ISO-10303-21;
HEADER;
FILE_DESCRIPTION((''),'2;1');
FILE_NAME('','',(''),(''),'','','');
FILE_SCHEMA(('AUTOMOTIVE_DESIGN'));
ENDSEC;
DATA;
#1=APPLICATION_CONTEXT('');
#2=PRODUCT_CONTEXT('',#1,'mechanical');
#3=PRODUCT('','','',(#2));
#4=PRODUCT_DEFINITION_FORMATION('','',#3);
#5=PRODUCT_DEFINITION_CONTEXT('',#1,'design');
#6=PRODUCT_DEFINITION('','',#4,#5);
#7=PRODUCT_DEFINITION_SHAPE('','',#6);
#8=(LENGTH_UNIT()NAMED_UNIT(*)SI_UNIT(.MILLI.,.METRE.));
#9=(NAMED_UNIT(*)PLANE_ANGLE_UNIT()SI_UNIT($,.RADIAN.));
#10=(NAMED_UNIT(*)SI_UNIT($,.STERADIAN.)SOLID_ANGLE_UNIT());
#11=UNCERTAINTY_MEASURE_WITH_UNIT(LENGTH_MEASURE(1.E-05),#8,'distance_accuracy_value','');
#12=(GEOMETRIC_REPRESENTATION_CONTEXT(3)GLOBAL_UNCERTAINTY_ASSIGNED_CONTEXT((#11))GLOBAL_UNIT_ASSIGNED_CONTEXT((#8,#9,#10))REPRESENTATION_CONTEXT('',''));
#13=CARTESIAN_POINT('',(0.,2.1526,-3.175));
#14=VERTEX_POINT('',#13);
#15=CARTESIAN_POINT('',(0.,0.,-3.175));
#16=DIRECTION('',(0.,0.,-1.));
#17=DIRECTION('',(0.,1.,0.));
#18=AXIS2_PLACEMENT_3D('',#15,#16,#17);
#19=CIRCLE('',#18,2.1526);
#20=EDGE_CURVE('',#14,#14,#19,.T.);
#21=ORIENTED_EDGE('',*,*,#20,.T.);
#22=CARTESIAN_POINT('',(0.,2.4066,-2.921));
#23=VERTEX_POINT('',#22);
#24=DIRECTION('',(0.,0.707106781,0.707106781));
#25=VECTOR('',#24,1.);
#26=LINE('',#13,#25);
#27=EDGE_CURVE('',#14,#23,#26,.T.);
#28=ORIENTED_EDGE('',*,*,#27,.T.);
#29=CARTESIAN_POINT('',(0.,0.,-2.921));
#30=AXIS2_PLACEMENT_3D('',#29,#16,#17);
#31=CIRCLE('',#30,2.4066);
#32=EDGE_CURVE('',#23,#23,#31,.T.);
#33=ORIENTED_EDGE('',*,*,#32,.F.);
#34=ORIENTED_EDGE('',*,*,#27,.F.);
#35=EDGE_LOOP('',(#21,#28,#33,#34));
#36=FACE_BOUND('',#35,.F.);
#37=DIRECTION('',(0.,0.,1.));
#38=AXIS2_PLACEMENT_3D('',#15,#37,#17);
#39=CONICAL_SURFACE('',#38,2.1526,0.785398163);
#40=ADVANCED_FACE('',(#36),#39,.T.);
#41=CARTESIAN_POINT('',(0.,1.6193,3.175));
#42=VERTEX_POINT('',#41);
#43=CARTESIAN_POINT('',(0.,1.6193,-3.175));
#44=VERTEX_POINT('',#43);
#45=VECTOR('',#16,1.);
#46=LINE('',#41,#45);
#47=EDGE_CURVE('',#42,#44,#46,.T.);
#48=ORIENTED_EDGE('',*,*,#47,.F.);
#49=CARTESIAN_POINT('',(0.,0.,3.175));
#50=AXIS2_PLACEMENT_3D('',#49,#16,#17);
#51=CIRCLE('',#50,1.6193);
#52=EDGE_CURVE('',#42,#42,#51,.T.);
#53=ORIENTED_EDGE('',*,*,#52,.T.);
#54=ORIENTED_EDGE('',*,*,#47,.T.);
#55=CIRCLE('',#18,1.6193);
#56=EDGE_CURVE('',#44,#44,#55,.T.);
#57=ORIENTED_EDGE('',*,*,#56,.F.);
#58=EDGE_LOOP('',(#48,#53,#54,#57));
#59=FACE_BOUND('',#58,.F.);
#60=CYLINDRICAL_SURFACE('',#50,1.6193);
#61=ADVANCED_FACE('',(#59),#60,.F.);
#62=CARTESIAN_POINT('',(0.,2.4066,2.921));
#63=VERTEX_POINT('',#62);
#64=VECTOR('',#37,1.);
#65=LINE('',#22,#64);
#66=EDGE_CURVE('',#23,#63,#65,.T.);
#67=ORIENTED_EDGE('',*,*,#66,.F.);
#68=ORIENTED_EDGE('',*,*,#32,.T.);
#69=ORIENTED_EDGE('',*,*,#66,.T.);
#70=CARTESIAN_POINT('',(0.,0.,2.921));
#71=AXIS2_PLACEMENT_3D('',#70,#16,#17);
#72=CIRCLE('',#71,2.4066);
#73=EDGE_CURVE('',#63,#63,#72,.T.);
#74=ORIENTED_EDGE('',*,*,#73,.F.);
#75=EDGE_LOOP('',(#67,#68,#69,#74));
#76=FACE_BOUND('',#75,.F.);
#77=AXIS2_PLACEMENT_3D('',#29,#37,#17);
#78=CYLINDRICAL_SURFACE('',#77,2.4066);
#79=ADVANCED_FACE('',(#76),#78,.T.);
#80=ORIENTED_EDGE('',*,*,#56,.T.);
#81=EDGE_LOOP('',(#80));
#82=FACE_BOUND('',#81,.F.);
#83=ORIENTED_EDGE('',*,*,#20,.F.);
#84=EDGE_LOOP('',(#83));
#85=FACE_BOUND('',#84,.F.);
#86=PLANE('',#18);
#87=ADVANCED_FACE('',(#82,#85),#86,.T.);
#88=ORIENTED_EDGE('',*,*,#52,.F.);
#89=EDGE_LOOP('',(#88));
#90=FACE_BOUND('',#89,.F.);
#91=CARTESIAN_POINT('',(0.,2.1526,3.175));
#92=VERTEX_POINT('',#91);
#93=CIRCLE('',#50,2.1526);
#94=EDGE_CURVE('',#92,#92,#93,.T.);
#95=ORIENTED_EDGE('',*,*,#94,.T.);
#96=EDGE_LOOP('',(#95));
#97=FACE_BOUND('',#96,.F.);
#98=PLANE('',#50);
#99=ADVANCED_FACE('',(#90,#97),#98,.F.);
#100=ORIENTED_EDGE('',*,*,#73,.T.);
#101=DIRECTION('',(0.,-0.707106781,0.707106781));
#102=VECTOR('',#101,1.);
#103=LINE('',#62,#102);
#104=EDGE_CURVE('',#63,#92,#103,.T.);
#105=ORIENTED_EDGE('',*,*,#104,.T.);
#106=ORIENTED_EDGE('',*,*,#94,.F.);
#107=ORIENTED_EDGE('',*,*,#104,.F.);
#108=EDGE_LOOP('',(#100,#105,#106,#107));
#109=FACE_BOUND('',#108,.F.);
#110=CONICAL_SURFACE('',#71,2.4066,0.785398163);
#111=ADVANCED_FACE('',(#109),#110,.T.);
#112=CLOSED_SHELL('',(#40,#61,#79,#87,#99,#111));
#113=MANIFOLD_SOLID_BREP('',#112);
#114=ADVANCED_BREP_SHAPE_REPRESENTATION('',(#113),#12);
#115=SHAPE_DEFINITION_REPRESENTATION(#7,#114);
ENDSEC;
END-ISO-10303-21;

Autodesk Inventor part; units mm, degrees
sketch "Sketch_1" plane through (0, 0, 0) normal (1, 0, 0) x (0, 1, 0)
  line L0 (0, -3.175) -> (0, 3.175)
  line L1 (2.1526, 3.175) -> (1.6193, 3.175)
  line L2 (1.6193, 3.175) -> (1.6193, -3.175)
  line L3 (1.6193, -3.175) -> (2.1526, -3.175)
  line L4 (2.1526, -3.175) -> (2.4066, -2.921)
  line L5 (2.4066, -2.921) -> (2.4066, 2.921)
  line L6 (2.4066, 2.921) -> (2.1526, 3.175)
revolve "Revolution1" add sketch "Sketch_1" angle 360 about axis through (0, 0, -3.175) along (0, 0, -1)
ref_plane "bushing_XY" through (0, 0, 0) normal (0, 0, 1) x (1, 0, 0)
ref_plane "bushing_YZ" through (0, 0, 0) normal (1, 0, 0) x (0, 1, 0)
ref_plane "bushing_ZX" through (0, 0, 0) normal (0, 1, 0) x (0, 0, 1)
ref_plane "id1_XY" through (-1.6193, 0, 0) normal (0, 0, 1) x (1, 0, 0)
ref_plane "id1_YZ" through (-1.6193, 0, 0) normal (1, 0, 0) x (0, 1, 0)
ref_plane "id1_ZX" through (-1.6193, 0, 0) normal (0, 1, 0) x (0, 0, 1)
ref_plane "id2_XY" through (1.6193, 0, 0) normal (0, 0, 1) x (1, 0, 0)
ref_plane "id2_YZ" through (1.6193, 0, 0) normal (1, 0, 0) x (0, 1, 0)
ref_plane "id2_ZX" through (1.6193, 0, 0) normal (0, 1, 0) x (0, 0, 1)
ref_plane "id3_XY" through (0, 0, -3.175) normal (0, 0, -1) x (0, 1, 0)
ref_plane "id3_YZ" through (0, 0, -3.175) normal (0, 1, 0) x (1, 0, 0)
ref_plane "id3_ZX" through (0, 0, -3.175) normal (1, 0, 0) x (0, 0, -1)
ref_plane "id4_XY" through (0, 0, 3.175) normal (0, 0, 1) x (0, 1, 0)
ref_plane "id4_YZ" through (0, 0, 3.175) normal (0, 1, 0) x (-1, 0, 0)
ref_plane "id4_ZX" through (0, 0, 3.175) normal (-1, 0, 0) x (0, 0, 1)
properties part number "D-25359"
